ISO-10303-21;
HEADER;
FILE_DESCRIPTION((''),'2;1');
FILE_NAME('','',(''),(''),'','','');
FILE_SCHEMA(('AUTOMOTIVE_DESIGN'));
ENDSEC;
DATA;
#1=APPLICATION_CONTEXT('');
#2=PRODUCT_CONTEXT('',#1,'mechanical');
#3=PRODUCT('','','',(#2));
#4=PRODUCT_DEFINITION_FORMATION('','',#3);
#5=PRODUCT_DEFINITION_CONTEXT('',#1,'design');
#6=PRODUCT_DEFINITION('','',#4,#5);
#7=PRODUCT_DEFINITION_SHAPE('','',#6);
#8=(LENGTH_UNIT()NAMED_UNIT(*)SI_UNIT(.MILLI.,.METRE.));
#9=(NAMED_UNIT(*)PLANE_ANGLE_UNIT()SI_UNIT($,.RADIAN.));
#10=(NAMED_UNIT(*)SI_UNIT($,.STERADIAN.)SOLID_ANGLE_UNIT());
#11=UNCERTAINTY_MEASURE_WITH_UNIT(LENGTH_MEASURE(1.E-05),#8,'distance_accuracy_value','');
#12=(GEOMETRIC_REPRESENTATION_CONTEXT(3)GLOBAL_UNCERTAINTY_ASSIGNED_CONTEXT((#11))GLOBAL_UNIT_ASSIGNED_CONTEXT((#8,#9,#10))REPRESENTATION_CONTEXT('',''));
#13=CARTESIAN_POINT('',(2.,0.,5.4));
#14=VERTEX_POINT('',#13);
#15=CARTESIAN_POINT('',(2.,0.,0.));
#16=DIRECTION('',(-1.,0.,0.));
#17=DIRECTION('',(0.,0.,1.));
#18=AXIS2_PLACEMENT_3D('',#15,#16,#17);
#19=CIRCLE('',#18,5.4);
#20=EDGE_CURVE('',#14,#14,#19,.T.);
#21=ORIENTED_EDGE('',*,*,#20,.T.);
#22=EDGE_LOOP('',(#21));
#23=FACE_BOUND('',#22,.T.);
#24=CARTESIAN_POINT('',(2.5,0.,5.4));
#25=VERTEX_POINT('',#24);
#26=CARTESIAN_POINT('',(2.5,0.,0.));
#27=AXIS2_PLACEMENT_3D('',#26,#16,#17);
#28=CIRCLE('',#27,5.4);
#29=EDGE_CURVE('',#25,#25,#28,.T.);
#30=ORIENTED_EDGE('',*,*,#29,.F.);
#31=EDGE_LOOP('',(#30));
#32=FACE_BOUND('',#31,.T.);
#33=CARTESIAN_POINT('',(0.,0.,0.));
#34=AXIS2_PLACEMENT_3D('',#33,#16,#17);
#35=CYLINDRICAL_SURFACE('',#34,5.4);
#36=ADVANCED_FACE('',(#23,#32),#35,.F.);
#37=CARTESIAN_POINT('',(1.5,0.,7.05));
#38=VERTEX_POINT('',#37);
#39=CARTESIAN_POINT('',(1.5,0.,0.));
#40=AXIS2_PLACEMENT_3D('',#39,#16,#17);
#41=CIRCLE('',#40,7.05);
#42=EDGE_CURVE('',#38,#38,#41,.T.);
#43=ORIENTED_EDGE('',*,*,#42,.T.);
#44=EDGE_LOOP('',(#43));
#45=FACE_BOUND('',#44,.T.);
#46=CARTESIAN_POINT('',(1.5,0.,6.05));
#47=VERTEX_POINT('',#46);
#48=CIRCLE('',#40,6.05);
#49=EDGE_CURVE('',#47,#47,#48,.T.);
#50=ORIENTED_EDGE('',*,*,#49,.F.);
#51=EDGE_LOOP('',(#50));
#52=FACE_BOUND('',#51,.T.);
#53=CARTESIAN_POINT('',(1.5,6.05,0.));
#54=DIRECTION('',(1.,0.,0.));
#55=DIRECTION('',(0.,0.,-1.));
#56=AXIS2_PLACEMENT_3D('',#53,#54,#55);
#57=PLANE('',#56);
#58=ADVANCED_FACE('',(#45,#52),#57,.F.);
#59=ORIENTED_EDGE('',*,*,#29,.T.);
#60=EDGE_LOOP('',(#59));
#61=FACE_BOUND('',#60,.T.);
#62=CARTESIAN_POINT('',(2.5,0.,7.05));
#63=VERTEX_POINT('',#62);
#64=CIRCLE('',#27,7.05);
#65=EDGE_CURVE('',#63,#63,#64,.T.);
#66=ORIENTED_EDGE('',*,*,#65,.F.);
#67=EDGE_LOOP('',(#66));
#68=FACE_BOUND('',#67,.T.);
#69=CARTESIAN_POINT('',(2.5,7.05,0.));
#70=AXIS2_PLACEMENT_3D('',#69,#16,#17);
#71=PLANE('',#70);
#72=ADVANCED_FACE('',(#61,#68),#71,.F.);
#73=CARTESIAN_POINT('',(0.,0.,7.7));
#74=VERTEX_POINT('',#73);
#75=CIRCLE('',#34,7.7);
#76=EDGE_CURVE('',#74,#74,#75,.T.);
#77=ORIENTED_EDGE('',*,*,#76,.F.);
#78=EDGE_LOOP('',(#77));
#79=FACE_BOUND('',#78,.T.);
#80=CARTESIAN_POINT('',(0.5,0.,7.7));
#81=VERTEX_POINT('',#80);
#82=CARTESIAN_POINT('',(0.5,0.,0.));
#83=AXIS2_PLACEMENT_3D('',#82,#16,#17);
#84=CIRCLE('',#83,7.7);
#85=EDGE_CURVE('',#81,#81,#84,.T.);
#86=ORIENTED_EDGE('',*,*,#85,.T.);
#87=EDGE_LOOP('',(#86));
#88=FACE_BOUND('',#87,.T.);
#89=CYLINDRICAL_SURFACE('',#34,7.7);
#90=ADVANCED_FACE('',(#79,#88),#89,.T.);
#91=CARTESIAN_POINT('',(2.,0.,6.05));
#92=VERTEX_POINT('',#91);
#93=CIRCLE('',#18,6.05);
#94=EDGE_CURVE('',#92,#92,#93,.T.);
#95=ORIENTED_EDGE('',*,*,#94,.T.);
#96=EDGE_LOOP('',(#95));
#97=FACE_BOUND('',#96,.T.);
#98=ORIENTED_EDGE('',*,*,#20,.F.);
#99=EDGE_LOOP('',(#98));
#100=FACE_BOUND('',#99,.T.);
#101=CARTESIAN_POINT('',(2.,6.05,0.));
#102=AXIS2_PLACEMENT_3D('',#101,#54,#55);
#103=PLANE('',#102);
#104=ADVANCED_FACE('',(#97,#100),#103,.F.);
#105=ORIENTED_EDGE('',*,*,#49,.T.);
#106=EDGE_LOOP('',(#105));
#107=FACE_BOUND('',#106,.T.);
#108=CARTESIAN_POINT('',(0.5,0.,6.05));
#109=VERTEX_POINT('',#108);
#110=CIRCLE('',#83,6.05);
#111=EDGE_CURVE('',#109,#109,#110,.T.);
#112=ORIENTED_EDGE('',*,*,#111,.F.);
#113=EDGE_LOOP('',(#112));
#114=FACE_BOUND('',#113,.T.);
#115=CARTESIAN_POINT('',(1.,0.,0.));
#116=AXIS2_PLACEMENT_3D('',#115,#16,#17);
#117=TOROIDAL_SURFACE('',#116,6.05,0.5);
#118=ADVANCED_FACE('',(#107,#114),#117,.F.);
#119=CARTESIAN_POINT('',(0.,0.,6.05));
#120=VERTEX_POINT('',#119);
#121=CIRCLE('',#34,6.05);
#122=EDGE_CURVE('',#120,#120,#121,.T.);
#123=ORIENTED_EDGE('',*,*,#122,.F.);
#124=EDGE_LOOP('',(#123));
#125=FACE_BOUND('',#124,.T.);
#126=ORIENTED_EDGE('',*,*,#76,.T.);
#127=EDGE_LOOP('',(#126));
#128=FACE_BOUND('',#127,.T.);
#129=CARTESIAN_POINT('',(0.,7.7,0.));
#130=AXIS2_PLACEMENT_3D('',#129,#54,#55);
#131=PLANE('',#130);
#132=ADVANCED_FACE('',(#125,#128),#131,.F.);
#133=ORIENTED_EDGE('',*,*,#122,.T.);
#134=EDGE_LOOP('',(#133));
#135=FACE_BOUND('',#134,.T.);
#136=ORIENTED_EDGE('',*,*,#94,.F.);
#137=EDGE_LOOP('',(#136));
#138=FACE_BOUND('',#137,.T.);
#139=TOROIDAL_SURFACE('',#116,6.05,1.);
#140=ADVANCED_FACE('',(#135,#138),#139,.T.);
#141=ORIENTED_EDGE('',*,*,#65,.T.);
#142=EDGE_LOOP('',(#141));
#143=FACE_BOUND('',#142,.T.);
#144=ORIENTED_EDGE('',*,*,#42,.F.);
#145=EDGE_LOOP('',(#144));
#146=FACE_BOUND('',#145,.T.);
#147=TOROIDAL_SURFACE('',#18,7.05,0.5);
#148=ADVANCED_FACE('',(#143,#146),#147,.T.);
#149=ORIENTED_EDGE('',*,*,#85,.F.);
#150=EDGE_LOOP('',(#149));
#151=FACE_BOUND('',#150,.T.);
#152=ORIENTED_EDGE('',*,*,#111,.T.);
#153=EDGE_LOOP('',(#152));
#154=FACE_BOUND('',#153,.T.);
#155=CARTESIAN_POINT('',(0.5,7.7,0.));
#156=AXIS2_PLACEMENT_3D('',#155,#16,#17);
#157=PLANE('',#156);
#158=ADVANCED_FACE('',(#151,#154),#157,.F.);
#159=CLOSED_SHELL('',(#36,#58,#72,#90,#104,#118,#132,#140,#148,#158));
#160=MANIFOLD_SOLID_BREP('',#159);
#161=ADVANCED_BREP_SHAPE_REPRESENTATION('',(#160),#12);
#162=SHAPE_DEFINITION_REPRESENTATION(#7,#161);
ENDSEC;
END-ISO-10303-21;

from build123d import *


with BuildPart() as part:
    # Sketch1 → Revolve1 (revolve)
    with BuildSketch(Plane.XY, mode=Mode.PRIVATE) as revolve1_sk:
        with BuildLine():
            Line((0, 7.7), (0, 6.05))
            ThreePointArc((0, 6.05), (1, 5.05), (2, 6.05))
            Line((2, 6.05), (2, 5.4))
            Line((2, 5.4), (2.5, 5.4))
            Line((2.5, 5.4), (2.5, 7.05))
            ThreePointArc((2.5, 7.05), (2, 7.55), (1.5, 7.05))
            Line((1.5, 7.05), (1.5, 6.05))
            ThreePointArc((1.5, 6.05), (1, 5.55), (0.5, 6.05))
            Line((0.5, 6.05), (0.5, 7.7))
            Line((0.5, 7.7), (0, 7.7))
        make_face()
    revolve(revolve1_sk.sketch.rotate(Axis((0, 0, 0), (1, 0, 0)), 90), axis=Axis((0, 0, 0), (1, 0, 0)))


solid = part.part
